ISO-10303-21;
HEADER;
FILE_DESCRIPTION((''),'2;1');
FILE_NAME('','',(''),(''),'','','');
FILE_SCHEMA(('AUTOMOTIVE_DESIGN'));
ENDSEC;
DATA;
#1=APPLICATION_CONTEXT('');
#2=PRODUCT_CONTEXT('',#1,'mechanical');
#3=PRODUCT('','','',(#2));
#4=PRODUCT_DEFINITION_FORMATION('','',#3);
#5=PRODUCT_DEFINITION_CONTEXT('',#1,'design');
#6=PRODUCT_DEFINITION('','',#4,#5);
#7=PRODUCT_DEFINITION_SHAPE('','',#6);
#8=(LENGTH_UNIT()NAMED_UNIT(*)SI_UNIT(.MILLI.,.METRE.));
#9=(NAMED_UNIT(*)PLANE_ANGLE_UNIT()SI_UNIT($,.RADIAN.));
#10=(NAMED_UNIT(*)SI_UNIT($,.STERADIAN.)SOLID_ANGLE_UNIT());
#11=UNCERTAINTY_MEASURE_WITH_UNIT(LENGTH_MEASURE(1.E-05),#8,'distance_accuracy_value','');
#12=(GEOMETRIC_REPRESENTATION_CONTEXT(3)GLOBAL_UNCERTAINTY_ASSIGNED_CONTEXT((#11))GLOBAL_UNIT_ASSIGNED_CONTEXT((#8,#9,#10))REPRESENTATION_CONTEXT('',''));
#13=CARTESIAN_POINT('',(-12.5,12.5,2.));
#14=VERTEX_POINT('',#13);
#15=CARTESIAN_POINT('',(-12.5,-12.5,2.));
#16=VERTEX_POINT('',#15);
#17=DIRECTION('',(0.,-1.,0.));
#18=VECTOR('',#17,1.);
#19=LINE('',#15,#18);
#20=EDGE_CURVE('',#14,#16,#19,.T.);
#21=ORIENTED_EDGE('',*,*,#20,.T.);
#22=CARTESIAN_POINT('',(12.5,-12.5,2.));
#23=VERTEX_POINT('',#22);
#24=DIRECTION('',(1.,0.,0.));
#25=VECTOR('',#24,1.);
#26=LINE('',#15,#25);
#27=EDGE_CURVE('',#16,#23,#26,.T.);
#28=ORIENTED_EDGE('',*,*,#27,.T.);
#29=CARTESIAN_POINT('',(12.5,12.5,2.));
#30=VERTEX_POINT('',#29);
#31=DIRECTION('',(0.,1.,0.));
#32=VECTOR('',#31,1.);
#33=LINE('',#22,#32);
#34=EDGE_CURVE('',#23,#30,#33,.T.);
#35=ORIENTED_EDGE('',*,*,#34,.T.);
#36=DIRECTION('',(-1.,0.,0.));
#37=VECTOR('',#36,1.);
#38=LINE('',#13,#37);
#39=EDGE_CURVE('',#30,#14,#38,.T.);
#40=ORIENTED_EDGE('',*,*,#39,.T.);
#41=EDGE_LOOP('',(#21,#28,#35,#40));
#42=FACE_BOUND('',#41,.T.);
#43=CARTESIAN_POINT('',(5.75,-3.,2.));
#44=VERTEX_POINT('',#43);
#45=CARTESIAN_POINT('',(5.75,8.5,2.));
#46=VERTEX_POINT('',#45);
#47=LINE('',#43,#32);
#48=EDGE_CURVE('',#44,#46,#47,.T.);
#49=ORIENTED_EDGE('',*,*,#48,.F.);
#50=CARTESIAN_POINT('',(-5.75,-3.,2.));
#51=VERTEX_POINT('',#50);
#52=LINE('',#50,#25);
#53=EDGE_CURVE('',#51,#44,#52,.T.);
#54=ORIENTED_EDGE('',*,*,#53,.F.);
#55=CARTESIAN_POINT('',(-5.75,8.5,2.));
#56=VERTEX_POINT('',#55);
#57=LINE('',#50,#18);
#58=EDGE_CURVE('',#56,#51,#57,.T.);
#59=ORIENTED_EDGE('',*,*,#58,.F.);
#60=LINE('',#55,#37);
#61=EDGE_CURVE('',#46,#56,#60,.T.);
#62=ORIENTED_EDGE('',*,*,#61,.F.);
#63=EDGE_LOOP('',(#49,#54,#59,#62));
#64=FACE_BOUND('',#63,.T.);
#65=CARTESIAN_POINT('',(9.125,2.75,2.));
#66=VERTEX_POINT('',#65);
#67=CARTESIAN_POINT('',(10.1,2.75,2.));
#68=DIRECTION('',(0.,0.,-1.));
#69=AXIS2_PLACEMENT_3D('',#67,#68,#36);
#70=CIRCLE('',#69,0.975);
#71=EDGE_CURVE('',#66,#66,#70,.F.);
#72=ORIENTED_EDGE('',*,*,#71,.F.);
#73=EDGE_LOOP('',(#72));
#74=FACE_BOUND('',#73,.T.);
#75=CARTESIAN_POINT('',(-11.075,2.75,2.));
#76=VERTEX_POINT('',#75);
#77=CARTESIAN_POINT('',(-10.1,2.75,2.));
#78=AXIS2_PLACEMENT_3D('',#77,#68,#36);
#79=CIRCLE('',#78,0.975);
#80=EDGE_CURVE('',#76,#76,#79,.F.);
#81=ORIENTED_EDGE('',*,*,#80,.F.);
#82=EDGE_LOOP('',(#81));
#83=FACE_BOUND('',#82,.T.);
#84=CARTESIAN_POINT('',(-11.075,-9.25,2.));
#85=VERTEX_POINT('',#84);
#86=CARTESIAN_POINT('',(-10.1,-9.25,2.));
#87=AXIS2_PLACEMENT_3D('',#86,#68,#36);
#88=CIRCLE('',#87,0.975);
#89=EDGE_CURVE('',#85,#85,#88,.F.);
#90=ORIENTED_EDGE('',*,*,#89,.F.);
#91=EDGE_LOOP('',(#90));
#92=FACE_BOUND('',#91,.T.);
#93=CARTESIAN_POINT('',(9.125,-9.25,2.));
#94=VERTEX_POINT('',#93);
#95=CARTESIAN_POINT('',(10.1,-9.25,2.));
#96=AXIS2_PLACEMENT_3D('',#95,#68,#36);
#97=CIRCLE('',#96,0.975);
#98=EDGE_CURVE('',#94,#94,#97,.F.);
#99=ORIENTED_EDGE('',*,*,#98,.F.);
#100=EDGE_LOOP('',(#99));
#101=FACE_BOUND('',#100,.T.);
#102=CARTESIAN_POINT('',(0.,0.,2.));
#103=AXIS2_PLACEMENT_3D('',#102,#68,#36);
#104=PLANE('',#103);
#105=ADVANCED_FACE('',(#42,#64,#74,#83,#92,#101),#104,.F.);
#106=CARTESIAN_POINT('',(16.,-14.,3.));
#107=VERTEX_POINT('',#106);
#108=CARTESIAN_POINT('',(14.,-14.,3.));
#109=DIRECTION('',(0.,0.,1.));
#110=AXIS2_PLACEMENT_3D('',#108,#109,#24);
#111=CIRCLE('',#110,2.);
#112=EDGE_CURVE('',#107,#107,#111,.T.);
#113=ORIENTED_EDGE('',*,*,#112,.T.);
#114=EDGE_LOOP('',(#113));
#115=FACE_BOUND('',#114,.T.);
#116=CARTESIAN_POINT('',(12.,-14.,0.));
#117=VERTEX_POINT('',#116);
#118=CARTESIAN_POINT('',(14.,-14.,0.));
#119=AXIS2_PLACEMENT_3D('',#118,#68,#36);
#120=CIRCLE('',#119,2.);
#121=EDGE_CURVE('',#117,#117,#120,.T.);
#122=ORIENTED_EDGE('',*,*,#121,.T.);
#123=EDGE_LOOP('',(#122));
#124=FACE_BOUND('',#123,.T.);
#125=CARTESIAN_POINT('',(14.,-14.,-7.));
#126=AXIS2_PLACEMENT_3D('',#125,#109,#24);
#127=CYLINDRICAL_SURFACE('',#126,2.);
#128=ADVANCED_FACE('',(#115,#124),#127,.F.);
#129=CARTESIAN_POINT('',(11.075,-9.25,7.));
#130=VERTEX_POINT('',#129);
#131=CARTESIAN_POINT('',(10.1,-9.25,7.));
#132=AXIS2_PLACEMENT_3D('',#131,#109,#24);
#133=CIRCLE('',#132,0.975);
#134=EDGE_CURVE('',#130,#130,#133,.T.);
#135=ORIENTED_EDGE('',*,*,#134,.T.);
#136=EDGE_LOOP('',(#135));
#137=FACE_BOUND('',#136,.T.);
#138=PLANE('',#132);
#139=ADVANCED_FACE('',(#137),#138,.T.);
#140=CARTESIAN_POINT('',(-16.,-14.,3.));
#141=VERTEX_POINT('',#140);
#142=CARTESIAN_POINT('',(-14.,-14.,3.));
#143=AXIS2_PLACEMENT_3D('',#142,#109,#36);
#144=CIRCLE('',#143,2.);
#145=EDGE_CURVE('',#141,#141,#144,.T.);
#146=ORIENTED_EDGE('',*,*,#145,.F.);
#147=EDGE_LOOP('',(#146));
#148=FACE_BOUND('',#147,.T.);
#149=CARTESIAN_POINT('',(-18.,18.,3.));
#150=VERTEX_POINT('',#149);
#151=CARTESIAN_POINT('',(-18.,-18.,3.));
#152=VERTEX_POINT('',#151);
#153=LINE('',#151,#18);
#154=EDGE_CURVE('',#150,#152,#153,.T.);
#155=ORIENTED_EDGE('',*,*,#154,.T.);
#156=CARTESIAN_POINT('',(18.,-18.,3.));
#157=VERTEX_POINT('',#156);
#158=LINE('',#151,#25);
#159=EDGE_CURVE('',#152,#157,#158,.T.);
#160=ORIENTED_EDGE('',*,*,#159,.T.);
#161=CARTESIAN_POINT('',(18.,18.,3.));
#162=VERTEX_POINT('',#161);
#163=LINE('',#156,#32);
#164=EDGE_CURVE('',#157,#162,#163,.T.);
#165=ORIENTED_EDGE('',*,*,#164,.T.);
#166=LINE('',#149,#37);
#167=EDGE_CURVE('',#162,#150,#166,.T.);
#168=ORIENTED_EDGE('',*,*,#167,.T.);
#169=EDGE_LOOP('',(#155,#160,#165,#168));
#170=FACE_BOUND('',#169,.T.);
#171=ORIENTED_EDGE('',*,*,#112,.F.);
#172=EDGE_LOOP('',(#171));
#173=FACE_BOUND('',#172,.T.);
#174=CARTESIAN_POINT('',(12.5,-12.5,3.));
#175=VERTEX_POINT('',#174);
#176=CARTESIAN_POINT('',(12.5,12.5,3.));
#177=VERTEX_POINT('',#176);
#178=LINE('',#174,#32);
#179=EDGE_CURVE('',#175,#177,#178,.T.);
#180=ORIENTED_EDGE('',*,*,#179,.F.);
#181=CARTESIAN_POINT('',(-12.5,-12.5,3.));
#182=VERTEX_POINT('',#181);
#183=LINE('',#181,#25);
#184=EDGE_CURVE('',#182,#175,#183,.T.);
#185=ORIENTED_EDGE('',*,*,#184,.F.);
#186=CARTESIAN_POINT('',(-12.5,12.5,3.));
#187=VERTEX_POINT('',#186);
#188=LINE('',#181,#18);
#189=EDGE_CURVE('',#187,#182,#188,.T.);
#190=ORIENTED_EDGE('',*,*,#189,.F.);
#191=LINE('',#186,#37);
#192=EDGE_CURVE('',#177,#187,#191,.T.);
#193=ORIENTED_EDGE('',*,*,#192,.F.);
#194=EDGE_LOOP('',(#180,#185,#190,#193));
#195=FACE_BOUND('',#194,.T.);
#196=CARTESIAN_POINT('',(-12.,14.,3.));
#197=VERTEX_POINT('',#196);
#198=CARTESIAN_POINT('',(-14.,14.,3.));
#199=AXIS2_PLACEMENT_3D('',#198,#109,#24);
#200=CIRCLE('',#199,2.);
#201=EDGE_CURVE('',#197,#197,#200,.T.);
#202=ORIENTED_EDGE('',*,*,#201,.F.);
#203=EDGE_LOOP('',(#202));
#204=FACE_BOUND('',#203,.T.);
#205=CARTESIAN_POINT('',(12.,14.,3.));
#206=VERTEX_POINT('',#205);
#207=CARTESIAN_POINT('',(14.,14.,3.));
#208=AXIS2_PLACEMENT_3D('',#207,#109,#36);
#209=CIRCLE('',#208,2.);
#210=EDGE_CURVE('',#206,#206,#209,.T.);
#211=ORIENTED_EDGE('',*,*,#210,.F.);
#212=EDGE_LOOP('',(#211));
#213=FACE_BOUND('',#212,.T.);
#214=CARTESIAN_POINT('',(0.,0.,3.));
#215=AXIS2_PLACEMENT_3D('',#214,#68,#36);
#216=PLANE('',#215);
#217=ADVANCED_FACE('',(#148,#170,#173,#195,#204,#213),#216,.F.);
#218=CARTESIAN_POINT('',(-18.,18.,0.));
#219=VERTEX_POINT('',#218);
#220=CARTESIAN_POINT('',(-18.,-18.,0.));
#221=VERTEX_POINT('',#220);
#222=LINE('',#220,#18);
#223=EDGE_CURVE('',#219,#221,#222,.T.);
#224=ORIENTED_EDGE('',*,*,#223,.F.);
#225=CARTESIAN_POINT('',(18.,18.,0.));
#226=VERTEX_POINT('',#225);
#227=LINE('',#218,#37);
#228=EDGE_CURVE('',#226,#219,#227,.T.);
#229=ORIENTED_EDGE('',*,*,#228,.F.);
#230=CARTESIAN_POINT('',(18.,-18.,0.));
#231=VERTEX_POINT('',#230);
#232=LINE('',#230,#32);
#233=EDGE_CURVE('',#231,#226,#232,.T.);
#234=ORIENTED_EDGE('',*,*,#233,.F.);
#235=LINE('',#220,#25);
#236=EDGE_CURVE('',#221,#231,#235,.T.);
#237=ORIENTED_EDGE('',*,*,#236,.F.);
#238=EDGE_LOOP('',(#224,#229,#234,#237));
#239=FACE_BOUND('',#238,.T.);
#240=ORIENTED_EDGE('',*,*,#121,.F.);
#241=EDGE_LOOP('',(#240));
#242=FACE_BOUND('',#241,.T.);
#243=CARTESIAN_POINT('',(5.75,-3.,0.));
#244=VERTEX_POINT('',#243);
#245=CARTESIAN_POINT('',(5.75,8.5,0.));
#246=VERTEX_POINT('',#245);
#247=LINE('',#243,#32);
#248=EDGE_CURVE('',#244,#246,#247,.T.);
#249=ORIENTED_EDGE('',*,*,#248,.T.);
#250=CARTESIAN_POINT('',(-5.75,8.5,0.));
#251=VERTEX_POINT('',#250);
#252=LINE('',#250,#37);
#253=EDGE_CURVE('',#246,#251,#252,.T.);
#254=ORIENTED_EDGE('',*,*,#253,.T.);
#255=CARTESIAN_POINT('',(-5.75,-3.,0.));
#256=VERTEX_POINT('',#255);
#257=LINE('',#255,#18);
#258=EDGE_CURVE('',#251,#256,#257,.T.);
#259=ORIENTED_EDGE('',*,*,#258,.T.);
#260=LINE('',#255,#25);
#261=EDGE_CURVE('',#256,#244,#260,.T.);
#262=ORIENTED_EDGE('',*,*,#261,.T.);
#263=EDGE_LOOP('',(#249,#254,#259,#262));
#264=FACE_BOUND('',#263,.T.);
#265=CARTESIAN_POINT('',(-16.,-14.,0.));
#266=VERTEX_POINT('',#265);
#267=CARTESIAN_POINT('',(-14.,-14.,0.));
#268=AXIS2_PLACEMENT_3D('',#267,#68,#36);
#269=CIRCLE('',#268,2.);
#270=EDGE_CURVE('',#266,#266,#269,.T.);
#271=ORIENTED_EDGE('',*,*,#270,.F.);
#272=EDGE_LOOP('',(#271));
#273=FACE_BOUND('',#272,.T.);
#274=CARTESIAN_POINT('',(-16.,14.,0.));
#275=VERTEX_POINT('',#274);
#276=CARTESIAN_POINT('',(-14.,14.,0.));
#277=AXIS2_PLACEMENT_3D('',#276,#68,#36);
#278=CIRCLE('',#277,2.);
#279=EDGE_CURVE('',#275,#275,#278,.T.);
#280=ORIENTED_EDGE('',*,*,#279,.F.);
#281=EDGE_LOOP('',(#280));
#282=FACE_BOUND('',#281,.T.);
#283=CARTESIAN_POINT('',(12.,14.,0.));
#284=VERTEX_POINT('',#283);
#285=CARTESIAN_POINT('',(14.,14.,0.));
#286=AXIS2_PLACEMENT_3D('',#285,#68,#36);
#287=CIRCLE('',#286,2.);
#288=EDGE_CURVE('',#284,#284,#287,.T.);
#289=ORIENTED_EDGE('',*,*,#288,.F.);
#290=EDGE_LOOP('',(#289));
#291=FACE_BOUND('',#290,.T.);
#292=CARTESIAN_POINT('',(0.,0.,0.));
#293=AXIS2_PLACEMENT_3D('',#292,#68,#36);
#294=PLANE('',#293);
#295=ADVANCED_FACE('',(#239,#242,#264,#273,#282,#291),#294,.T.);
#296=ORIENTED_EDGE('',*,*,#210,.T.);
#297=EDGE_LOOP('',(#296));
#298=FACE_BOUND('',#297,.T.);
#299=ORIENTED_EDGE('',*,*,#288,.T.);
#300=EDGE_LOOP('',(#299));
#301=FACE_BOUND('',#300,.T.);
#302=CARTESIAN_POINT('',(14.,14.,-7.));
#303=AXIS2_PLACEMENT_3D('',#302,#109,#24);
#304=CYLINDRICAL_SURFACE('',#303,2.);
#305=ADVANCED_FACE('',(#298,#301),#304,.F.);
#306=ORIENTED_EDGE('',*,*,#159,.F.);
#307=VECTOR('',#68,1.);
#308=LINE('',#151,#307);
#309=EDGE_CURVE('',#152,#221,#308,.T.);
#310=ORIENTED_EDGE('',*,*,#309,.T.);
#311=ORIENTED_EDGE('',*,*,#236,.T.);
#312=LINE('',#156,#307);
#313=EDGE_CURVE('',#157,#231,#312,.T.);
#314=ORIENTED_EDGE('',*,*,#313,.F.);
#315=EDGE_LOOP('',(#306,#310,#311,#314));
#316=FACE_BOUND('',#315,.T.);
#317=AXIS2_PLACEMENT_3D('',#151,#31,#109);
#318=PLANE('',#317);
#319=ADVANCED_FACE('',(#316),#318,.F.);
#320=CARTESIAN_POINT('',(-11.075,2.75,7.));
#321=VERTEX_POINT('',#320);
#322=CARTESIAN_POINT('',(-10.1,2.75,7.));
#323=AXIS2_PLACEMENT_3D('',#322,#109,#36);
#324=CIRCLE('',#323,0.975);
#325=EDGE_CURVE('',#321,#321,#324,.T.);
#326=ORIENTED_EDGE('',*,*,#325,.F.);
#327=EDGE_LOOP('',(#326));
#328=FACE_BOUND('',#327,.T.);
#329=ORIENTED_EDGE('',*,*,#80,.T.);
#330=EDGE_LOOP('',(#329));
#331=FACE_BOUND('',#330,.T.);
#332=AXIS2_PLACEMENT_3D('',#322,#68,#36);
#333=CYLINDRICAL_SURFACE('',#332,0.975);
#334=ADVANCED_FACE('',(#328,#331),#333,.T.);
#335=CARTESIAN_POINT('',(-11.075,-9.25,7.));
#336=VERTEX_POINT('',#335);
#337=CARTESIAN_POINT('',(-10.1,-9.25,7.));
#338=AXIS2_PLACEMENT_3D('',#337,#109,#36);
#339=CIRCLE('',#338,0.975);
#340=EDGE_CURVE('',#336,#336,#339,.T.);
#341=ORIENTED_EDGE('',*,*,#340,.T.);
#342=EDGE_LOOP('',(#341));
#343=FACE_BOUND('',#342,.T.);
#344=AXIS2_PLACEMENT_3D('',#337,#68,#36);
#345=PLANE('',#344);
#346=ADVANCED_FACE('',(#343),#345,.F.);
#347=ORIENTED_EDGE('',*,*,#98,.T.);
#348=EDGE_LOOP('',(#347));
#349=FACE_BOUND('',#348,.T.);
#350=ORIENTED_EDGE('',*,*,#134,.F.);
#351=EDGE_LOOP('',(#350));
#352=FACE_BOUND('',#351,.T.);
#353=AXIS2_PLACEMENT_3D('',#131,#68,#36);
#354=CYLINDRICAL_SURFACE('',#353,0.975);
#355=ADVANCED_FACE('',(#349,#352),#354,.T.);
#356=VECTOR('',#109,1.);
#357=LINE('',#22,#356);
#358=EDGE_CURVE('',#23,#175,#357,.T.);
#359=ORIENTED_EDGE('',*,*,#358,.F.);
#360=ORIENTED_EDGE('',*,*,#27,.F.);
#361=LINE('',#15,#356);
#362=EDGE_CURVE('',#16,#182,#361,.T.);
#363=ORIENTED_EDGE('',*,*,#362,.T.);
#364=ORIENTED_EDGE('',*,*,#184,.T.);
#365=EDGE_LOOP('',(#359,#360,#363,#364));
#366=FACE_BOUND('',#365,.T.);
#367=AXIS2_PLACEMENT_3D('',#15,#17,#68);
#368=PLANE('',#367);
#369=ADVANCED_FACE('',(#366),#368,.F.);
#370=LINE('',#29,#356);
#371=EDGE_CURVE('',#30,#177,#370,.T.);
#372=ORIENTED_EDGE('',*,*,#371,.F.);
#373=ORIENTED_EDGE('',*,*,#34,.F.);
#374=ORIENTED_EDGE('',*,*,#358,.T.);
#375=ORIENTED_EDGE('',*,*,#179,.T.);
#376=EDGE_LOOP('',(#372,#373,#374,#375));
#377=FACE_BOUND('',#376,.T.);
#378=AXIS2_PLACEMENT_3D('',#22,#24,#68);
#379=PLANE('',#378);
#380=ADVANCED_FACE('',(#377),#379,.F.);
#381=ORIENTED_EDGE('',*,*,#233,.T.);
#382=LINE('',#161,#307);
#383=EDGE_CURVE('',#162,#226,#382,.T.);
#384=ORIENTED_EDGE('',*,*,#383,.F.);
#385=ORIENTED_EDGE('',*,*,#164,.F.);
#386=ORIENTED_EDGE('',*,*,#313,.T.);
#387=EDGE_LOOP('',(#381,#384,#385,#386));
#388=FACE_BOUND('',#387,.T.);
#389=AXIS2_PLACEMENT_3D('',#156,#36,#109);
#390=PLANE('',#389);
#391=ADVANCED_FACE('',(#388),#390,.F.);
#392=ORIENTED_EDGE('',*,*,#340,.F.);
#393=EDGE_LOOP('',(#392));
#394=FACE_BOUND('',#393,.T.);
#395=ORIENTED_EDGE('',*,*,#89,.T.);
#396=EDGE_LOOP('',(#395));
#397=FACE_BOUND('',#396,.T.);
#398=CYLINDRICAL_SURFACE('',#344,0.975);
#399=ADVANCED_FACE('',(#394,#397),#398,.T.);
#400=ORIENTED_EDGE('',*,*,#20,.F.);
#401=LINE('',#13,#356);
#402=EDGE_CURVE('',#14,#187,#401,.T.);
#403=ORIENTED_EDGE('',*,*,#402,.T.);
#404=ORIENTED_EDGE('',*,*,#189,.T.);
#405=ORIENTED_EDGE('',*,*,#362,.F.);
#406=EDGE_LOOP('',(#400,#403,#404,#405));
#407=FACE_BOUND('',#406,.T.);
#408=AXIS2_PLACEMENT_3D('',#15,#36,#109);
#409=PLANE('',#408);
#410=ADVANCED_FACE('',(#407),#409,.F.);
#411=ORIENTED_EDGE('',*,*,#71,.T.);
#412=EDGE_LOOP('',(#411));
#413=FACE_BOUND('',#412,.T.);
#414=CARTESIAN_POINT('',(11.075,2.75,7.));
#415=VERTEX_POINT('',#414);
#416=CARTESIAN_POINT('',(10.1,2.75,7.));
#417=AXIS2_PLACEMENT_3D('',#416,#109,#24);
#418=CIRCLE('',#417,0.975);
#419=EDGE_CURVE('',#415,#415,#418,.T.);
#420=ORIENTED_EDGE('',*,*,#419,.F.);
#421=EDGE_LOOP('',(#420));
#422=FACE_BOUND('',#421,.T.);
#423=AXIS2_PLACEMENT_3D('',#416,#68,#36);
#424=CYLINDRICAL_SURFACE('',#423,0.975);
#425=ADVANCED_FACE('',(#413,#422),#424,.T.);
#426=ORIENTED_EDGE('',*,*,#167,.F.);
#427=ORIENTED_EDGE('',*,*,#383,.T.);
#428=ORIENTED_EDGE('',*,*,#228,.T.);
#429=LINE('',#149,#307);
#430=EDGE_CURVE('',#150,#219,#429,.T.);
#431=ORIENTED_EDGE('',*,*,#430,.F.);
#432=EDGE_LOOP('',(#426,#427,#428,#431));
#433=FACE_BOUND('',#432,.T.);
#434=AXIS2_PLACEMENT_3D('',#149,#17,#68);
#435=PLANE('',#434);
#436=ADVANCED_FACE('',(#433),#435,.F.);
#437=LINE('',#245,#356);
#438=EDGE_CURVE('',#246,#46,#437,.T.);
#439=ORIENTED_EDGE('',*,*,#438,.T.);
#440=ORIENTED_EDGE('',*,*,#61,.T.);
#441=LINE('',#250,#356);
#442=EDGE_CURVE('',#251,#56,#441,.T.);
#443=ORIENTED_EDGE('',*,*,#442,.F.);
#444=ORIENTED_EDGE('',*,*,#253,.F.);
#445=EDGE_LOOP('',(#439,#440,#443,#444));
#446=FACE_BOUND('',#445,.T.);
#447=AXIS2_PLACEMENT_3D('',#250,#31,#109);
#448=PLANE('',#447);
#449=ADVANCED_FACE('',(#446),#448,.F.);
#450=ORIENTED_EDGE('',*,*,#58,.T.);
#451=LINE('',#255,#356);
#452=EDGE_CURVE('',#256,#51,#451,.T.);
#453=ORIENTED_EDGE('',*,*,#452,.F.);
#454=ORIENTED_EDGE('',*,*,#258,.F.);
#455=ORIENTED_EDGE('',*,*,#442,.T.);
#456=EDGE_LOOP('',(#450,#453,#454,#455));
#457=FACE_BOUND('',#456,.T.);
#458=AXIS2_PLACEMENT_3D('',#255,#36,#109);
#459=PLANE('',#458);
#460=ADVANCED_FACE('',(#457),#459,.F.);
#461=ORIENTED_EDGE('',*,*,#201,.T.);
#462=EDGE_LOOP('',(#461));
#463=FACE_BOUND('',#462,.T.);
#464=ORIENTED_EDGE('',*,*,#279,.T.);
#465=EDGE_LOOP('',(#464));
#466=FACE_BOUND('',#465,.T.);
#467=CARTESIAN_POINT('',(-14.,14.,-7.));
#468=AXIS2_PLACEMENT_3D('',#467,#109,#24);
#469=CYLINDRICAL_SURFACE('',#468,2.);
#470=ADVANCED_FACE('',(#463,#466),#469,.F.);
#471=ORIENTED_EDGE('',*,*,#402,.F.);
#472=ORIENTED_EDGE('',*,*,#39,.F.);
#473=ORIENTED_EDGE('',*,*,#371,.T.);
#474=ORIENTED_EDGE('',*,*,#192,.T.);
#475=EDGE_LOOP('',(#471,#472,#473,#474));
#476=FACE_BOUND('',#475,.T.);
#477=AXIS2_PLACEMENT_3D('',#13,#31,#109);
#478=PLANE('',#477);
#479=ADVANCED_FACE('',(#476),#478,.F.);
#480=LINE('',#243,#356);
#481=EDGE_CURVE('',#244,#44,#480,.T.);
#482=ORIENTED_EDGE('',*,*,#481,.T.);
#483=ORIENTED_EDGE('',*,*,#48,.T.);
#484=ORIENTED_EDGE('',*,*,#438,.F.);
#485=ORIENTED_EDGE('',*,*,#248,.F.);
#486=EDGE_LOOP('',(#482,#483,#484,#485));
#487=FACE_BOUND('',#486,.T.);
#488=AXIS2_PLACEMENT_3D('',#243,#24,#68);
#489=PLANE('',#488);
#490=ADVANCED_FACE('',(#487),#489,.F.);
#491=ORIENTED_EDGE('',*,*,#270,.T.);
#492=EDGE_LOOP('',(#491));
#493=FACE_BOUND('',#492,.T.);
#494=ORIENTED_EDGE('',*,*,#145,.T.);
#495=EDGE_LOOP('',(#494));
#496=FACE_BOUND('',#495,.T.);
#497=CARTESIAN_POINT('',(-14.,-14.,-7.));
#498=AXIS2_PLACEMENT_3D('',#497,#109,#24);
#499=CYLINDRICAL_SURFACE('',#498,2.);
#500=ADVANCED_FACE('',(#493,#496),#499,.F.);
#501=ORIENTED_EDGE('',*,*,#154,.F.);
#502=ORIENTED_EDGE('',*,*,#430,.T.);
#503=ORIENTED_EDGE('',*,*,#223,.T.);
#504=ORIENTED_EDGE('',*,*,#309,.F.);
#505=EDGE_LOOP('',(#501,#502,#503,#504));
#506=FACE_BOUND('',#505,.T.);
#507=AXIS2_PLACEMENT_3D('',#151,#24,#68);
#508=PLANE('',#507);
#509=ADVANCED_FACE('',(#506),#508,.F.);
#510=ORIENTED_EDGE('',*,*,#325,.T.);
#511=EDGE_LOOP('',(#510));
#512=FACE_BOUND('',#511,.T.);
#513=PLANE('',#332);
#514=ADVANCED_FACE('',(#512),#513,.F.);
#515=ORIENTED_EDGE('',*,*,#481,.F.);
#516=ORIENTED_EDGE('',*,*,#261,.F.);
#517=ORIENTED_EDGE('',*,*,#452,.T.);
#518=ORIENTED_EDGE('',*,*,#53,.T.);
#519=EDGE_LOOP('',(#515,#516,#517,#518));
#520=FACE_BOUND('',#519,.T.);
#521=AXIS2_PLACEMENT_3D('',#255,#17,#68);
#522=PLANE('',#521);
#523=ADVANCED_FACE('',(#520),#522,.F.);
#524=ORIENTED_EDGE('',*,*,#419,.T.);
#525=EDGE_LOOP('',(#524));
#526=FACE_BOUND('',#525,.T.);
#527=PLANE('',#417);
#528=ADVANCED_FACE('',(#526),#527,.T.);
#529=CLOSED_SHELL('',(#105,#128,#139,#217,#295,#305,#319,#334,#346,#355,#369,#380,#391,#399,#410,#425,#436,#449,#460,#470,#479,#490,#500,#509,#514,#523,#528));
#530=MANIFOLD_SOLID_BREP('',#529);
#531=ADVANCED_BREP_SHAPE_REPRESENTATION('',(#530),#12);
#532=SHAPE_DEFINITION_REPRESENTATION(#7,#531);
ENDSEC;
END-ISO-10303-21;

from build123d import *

# Parameters (mm, degrees)
SKETCH1_W           = 36
SKETCH1_H           = 36
BOSS_EXTRUDE1_DEPTH = 3
SKETCH5_R           = 2
CUT_EXTRUDE3_DEPTH  = 10
SKETCH2_W           = 25
SKETCH2_H           = 25
CUT_EXTRUDE1_DEPTH  = 1
SKETCH4_W           = 11.5
SKETCH4_H           = 11.5
CUT_EXTRUDE4_DEPTH  = 3
SKETCH3_R           = 0.975
BOSS_EXTRUDE2_DEPTH = 5


with BuildPart() as part:
    # Sketch1 → Boss-Extrude1 (new body)
    with BuildSketch(Plane.XY):
        Rectangle(SKETCH1_W, SKETCH1_H)
    extrude(amount=BOSS_EXTRUDE1_DEPTH)

    # Sketch5 → Cut-Extrude3 (cut)
    with BuildSketch(Plane.XY.offset(3)):
        with Locations((-14, 14)):
            Circle(SKETCH5_R)
        with Locations((-14, -14)):
            Circle(SKETCH5_R)
        with Locations((14, -14)):
            Circle(SKETCH5_R)
        with Locations((14, 14)):
            Circle(SKETCH5_R)
    extrude(amount=-CUT_EXTRUDE3_DEPTH, mode=Mode.SUBTRACT)

    # Sketch2 → Cut-Extrude1 (cut)
    with BuildSketch(Plane.XY.offset(3)):
        Rectangle(SKETCH2_W, SKETCH2_H)
    extrude(amount=-CUT_EXTRUDE1_DEPTH, mode=Mode.SUBTRACT)

    # Sketch4 → Cut-Extrude4 (cut, through all)
    with BuildSketch(Plane.XY.offset(2)):
        with Locations((0, 2.75)):
            Rectangle(SKETCH4_W, SKETCH4_H)
    extrude(amount=-CUT_EXTRUDE4_DEPTH, mode=Mode.SUBTRACT)

    # Sketch3 → Boss-Extrude2 (add)
    with BuildSketch(Plane.XY.offset(2)):
        with Locations((10.1, 2.75)):
            Circle(SKETCH3_R)
        with Locations((10.1, -9.25)):
            Circle(SKETCH3_R)
        with Locations((-10.1, -9.25)):
            Circle(SKETCH3_R)
        with Locations((-10.1, 2.75)):
            Circle(SKETCH3_R)
    extrude(amount=BOSS_EXTRUDE2_DEPTH)


solid = part.part
